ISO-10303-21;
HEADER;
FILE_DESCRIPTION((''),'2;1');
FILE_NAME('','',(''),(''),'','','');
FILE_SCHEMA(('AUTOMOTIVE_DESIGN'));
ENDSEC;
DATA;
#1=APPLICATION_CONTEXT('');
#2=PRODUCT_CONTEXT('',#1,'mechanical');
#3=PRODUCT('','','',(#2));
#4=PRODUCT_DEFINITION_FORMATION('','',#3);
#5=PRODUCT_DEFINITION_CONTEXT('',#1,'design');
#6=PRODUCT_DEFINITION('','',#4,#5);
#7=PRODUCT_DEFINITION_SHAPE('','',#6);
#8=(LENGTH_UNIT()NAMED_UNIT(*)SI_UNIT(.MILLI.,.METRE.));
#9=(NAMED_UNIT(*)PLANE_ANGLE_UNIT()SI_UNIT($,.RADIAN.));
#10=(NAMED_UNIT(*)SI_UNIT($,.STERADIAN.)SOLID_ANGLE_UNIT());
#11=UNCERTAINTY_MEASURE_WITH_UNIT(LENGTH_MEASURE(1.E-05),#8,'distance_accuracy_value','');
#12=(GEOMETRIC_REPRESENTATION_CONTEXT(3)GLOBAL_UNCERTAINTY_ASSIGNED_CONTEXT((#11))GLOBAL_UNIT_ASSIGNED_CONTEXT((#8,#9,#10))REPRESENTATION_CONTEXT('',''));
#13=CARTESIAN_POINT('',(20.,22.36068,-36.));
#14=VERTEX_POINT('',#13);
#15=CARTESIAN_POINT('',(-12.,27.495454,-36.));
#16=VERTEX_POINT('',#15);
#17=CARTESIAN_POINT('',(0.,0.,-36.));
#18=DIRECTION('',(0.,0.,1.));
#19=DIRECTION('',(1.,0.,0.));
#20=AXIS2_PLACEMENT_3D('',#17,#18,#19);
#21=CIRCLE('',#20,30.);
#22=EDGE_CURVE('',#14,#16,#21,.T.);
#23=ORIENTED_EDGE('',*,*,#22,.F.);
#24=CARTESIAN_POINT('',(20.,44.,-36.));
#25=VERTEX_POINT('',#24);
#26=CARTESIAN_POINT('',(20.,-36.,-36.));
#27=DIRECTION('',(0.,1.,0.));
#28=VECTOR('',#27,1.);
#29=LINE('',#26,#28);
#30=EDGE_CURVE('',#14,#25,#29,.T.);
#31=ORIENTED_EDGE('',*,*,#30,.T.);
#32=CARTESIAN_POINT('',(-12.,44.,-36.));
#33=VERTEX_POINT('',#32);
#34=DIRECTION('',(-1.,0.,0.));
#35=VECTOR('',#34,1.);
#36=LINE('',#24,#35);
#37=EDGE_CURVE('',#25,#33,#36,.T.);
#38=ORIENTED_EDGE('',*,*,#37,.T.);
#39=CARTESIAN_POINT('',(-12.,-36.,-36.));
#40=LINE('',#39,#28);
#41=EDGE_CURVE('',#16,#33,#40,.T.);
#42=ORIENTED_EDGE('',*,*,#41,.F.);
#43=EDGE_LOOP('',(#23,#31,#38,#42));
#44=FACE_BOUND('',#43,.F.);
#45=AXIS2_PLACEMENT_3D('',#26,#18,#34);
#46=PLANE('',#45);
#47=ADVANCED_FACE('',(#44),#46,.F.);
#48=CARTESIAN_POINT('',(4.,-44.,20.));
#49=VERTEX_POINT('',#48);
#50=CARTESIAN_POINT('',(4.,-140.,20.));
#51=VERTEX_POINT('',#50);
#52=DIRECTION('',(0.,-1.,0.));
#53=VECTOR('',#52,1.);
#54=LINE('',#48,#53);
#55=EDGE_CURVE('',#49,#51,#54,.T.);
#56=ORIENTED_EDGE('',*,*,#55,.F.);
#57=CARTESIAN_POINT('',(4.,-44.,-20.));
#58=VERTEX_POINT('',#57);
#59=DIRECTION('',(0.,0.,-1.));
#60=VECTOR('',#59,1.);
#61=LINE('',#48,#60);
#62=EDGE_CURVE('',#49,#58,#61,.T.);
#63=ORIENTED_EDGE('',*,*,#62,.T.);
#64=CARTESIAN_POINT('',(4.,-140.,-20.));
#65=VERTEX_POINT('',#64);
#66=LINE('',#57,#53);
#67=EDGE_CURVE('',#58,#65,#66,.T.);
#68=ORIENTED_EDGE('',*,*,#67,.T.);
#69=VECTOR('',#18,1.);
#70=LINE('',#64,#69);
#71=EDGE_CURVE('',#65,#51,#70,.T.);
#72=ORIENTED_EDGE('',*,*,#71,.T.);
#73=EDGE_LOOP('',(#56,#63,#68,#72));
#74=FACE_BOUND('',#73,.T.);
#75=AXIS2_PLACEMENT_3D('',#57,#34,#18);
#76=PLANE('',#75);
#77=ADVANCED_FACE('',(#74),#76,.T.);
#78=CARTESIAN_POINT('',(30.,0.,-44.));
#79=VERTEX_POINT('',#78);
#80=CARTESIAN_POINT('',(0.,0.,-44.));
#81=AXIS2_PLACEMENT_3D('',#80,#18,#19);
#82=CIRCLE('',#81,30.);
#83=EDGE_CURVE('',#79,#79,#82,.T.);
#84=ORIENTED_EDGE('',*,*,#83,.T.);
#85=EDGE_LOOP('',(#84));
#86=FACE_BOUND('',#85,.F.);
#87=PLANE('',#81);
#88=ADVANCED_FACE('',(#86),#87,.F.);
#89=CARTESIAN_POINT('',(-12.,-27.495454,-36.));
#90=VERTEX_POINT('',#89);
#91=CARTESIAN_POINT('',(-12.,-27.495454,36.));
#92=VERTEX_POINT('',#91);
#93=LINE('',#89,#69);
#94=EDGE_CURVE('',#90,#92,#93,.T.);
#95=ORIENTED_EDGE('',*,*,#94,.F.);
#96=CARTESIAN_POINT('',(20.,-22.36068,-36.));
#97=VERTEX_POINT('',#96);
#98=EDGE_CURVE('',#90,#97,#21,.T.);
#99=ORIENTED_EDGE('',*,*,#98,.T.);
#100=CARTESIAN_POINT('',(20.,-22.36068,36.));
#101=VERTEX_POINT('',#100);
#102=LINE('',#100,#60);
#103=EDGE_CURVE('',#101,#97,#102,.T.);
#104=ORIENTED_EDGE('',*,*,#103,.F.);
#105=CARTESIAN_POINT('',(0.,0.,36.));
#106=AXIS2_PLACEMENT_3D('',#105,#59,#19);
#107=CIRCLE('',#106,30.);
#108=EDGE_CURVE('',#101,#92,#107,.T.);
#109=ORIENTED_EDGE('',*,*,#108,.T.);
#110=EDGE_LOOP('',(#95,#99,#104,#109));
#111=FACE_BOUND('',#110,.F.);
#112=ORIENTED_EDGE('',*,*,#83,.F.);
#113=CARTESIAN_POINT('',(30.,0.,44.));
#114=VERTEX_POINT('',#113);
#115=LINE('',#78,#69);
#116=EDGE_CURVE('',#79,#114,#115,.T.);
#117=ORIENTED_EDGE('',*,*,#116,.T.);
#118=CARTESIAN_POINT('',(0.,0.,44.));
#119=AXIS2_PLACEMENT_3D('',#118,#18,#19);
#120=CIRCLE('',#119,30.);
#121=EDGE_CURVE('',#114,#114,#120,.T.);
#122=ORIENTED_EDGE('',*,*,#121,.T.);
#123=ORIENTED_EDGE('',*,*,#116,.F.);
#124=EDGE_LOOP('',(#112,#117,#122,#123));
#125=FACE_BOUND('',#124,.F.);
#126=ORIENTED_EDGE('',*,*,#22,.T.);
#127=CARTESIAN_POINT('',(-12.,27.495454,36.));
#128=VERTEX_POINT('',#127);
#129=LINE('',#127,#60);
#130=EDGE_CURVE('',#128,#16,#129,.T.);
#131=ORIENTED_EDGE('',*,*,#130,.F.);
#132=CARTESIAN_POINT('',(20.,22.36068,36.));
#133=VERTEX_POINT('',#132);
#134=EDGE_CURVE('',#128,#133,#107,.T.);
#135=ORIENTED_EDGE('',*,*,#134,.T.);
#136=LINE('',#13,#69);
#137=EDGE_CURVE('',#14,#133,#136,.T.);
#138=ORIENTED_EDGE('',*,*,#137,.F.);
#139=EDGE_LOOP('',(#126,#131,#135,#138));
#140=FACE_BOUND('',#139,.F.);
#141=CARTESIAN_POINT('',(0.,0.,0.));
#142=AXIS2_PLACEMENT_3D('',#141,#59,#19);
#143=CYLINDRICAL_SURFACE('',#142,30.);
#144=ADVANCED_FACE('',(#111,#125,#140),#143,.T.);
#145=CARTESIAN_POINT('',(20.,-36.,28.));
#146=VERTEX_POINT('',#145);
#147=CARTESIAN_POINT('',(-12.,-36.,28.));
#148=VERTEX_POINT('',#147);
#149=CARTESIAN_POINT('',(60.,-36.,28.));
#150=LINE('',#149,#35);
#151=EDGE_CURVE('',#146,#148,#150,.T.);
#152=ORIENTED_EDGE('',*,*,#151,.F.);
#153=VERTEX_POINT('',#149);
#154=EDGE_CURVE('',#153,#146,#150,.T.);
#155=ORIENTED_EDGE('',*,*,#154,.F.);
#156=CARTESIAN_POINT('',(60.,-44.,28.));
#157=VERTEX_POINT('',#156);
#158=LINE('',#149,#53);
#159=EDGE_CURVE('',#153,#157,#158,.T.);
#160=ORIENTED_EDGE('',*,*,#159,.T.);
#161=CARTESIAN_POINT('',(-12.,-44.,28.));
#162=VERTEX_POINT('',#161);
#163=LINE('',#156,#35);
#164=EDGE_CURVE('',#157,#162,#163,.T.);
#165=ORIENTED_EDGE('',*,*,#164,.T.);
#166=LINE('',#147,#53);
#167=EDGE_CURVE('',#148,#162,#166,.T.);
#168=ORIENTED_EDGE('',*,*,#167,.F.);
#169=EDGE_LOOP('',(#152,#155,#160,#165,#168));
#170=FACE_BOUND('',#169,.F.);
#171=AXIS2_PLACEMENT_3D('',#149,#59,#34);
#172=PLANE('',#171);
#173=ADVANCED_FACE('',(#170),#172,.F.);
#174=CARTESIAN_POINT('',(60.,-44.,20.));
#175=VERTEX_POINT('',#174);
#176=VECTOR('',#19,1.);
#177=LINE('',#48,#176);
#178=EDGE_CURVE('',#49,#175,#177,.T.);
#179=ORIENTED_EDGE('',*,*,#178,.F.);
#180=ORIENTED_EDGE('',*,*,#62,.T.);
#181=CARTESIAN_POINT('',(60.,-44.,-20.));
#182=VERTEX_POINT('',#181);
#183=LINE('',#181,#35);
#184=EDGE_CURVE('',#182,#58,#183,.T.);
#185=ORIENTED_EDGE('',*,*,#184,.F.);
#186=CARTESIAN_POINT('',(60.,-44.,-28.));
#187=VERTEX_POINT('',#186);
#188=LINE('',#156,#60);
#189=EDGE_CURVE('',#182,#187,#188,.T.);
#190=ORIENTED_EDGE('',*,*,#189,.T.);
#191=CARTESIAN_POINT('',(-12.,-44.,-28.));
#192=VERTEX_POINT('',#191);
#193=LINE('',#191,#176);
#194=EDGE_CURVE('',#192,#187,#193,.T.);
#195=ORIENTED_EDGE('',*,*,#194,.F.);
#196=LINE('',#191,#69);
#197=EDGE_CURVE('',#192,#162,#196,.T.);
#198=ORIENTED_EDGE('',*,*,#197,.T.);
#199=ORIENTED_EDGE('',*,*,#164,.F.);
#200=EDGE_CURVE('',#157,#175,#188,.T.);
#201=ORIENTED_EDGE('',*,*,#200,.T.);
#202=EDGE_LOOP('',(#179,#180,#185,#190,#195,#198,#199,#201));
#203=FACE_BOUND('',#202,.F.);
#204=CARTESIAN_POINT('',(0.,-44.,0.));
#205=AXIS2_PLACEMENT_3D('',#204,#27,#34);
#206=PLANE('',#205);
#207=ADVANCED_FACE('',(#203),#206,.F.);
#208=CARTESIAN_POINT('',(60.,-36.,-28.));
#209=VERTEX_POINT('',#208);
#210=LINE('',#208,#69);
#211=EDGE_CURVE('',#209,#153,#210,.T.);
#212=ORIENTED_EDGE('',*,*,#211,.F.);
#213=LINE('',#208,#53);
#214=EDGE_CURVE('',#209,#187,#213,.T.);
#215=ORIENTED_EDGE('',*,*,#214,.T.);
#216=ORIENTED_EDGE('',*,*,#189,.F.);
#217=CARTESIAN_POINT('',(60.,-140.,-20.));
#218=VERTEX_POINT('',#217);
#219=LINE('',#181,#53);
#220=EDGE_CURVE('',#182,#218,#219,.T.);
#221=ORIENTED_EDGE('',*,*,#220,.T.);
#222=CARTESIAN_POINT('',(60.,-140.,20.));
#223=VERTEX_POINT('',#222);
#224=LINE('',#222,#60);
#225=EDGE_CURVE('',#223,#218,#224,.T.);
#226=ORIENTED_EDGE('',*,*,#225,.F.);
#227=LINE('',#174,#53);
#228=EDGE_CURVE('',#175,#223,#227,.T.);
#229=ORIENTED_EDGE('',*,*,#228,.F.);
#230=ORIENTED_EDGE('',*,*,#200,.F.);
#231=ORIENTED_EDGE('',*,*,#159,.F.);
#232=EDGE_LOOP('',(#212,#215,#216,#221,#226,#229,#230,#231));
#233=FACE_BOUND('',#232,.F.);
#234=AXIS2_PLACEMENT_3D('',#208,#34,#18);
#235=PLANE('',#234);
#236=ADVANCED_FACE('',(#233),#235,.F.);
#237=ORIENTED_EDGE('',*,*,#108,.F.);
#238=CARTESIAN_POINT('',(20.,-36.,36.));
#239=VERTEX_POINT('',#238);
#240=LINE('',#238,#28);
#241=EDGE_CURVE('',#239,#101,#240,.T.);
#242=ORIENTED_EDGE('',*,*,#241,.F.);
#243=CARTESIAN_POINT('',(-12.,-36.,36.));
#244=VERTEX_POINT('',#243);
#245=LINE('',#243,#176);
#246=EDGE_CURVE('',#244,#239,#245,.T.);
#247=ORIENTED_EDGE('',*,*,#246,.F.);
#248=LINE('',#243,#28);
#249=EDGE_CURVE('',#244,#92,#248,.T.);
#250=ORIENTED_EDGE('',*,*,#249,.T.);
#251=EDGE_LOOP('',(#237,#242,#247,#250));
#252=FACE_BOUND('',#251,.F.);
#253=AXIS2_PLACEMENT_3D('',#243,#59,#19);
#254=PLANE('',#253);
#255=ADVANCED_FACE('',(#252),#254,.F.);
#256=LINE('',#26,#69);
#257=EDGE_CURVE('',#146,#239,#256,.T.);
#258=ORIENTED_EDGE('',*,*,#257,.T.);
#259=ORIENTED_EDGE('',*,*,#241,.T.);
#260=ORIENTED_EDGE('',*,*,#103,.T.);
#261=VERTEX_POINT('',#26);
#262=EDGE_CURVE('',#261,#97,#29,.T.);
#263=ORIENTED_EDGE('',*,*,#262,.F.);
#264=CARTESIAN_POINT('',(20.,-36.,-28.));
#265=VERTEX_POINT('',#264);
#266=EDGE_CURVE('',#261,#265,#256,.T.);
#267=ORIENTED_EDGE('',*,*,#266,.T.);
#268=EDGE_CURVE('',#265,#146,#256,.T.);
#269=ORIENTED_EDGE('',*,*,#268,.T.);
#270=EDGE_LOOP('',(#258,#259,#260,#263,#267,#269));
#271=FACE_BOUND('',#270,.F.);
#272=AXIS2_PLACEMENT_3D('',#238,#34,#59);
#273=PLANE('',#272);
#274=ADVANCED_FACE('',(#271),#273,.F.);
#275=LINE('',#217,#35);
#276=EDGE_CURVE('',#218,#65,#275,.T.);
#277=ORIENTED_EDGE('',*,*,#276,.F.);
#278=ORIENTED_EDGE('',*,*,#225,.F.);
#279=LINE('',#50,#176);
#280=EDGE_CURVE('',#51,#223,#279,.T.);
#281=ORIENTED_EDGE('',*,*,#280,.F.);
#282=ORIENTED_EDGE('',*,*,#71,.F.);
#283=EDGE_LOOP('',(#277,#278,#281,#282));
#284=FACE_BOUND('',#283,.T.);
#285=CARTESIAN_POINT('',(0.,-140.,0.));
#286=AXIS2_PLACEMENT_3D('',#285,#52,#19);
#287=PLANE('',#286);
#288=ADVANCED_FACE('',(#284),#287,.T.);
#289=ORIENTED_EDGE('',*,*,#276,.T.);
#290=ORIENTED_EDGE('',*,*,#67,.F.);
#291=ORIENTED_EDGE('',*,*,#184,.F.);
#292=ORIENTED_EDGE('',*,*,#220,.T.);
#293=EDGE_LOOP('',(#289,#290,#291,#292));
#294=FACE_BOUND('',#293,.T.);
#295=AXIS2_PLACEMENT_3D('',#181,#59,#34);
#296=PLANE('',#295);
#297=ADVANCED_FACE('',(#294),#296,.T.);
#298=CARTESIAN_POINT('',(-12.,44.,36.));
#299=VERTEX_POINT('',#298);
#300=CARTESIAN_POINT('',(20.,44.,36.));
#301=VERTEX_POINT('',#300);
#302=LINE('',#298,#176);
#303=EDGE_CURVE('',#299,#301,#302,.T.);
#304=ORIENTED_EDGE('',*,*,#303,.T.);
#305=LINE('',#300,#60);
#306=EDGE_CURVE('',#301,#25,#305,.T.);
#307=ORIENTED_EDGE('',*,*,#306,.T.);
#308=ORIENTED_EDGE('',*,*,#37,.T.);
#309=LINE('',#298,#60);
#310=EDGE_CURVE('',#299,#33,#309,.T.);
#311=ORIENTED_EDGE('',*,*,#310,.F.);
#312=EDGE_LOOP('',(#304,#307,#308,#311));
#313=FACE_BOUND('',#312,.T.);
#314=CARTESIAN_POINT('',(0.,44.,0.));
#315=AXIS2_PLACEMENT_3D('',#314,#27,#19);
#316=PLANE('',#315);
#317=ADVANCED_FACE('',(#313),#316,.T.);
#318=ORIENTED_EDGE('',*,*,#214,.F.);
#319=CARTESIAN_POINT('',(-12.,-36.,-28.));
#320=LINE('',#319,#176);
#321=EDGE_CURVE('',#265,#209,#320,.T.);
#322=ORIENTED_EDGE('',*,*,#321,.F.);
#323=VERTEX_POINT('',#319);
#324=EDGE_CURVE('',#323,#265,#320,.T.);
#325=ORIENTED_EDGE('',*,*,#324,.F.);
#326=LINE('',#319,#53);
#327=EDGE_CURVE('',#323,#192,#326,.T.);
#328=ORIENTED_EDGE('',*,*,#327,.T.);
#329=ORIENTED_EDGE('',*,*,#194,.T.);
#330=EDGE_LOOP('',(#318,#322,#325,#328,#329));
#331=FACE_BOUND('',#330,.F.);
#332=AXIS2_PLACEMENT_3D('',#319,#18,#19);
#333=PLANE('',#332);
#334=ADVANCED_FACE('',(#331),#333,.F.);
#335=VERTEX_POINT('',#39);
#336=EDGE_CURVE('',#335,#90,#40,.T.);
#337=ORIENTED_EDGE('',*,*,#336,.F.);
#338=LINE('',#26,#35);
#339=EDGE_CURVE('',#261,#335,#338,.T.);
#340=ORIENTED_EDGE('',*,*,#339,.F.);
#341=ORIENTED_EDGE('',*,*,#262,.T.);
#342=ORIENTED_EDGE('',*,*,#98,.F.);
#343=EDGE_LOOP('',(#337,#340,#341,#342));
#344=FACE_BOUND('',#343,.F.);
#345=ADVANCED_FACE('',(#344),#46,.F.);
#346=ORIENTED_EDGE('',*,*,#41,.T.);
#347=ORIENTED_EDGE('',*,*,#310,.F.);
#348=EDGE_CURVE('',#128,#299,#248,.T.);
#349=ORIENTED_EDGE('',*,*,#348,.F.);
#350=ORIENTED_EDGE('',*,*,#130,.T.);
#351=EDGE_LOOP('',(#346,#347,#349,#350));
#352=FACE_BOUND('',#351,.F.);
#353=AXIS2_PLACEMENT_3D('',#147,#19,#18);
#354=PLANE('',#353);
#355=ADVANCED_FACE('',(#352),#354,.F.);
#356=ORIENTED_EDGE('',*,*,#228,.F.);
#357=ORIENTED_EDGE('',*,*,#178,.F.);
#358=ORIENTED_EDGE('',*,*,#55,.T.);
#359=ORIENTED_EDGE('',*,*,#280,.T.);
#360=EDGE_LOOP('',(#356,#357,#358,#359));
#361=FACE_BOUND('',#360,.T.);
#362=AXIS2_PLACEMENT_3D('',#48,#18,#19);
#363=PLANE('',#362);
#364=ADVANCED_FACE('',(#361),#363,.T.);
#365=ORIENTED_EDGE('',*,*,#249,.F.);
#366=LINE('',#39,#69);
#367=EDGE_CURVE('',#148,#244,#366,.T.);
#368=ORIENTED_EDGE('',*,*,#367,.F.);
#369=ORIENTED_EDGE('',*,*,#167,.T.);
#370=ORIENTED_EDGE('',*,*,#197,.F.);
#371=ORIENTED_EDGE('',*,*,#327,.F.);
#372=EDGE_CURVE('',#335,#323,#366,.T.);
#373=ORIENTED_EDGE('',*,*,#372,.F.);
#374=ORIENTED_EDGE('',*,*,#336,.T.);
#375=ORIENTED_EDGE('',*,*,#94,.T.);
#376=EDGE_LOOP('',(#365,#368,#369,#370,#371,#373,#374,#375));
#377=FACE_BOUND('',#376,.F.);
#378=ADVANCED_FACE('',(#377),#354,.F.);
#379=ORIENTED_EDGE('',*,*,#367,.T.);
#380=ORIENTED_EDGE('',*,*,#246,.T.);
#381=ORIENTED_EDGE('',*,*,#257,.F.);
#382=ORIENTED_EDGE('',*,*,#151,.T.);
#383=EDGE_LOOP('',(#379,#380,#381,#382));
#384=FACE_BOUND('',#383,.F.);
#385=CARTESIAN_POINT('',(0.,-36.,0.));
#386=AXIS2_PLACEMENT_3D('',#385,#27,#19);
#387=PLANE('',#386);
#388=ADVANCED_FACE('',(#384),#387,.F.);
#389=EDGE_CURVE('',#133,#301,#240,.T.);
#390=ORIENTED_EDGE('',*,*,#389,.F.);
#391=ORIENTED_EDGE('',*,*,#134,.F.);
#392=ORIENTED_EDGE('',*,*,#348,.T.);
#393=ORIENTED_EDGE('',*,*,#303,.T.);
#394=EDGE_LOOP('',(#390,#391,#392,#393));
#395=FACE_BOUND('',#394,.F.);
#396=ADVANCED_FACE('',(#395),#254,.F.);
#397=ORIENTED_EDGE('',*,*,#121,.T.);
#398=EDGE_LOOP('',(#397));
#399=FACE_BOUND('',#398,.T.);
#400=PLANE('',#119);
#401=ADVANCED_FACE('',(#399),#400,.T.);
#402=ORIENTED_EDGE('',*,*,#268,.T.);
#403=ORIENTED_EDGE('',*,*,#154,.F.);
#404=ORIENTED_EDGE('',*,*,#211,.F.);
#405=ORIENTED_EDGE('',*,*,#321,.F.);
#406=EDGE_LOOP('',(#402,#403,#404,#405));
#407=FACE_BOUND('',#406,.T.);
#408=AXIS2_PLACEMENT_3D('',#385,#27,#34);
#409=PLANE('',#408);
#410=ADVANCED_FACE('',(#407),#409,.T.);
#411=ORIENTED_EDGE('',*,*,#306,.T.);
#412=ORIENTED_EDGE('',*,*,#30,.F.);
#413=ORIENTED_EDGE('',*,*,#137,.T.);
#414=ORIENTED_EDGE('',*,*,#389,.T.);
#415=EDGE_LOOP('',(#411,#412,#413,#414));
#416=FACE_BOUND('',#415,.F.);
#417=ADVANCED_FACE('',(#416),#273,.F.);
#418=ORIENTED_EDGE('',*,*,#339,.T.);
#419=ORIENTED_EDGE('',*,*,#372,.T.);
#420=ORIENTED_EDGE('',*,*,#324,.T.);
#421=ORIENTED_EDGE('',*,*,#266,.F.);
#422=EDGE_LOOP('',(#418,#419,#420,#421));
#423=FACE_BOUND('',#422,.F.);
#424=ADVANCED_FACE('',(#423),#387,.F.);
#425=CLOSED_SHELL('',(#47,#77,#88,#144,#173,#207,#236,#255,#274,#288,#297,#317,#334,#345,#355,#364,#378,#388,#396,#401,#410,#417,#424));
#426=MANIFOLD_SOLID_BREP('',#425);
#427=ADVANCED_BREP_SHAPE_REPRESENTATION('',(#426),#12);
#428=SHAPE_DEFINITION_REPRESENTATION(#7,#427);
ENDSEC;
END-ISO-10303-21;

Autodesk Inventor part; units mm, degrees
ref_plane "YZ Plane" through (0, 0, 0) normal (1, 0, 0) x (0, 1, 0)
ref_plane "XY Plane" through (0, 0, 0) normal (0, 0, 1) x (1, 0, 0)
sketch "Sketch1" plane through (0, 0, 0) normal (0, 0, 1) x (1, 0, 0)
  circle A0 centre (0, 0) radius 30
  dimension "d0" = 60
extrude "Extrusion1" add sketch "Sketch1" along normal mid plane 88
sketch "Sketch2" plane through (0, 0, 0) normal (0, 1, 0) x (-1, 0, 0)
  line L0 (51.4648, 0) -> (-98.7887, 0) projected
  line L1 (0, -61.6) -> (0, 61.6) projected
  point P0 (0, 0)
  point P1 (-48, 0)
  dimension "d11" = 48
ref_plane "Work Plane1" through (0, -36, 0) normal (0, 1, 0) x (-1, 0, 0)
sketch "Sketch3" plane through (0, -36, 0) normal (0, 1, 0) x (-1, 0, 0)
  line L0 (12, -28) -> (-60, -28)
  line L1 (-60, -28) -> (-60, 28)
  line L2 (-60, 28) -> (12, 28)
  line L3 (12, 28) -> (12, -28)
  line L4 (12, -28) -> (-60, 28) construction
  line L5 (-60, -28) -> (12, 28) construction
  line L6 (47.0012, 0) -> (-72.0071, 0) projected
  point P0 (0, 0)
  point P1 (-24, 0)
  point P2 (-24, 0)
  point P3 (-48, 0)
  dimension "d13" = 12
  dimension "d14" = 56
  dimension "d15" = 60
extrude "Extrusion2" add sketch "Sketch3" against normal blind 8
sketch "Sketch4" plane through (0, -36, 0) normal (0, 1, 0) x (1, 0, 0)
  line L0 (-12, -36) -> (20, -36)
  line L1 (20, -36) -> (20, 36)
  line L2 (20, 36) -> (-12, 36)
  line L3 (-12, 36) -> (-12, -36)
  line L4 (-12, -36) -> (20, 36) construction
  line L5 (20, -36) -> (-12, 36) construction
  line L6 (-48, 0) -> (78, 0) projected
  line L7 (-12, -28) -> (-12, 28) projected
  line L8 (60, -28) -> (-12, -28) projected
  point P0 (0, 0)
  point P1 (4, 0)
  point P2 (4, 0)
  dimension "d18" = 32
  dimension "d19" = 8
extrude "Extrusion3" add sketch "Sketch4" along normal blind 80
sketch "Sketch5" plane through (0, -44, 0) normal (0, -1, 0) x (1, 0, 0)
  line L0 (60, -28) -> (60, 28) projected
  line L1 (4, 20) -> (60, 20)
  line L2 (60, 20) -> (60, -20)
  line L3 (60, -20) -> (4, -20)
  line L4 (4, -20) -> (4, 20)
  line L5 (4, 20) -> (60, -20) construction
  line L6 (60, 20) -> (4, -20) construction
  line L7 (-48, 0) -> (78, 0) projected
  point P0 (0, 0)
  point P1 (32, 0)
  point P2 (32, 0)
  dimension "d22" = 40
  dimension "d23" = 56
extrude "Extrusion4" add sketch "Sketch5" along normal blind 96
ref_plane "Work Plane2" through (0, 184, 0) normal (0, 1, 0) x (-1, 0, 0)
ref_plane "UCS3: YZ Plane" through (0, 0, 0) normal (1, 0, 0) x (0, 1, 0)
ref_plane "UCS3: XZ Plane" through (0, 0, 0) normal (0, 1, 0) x (0, 0, 1)
ref_plane "UCS3: XY Plane" through (0, 0, 0) normal (0, 0, 1) x (1, 0, 0)
properties part number "link_3"
